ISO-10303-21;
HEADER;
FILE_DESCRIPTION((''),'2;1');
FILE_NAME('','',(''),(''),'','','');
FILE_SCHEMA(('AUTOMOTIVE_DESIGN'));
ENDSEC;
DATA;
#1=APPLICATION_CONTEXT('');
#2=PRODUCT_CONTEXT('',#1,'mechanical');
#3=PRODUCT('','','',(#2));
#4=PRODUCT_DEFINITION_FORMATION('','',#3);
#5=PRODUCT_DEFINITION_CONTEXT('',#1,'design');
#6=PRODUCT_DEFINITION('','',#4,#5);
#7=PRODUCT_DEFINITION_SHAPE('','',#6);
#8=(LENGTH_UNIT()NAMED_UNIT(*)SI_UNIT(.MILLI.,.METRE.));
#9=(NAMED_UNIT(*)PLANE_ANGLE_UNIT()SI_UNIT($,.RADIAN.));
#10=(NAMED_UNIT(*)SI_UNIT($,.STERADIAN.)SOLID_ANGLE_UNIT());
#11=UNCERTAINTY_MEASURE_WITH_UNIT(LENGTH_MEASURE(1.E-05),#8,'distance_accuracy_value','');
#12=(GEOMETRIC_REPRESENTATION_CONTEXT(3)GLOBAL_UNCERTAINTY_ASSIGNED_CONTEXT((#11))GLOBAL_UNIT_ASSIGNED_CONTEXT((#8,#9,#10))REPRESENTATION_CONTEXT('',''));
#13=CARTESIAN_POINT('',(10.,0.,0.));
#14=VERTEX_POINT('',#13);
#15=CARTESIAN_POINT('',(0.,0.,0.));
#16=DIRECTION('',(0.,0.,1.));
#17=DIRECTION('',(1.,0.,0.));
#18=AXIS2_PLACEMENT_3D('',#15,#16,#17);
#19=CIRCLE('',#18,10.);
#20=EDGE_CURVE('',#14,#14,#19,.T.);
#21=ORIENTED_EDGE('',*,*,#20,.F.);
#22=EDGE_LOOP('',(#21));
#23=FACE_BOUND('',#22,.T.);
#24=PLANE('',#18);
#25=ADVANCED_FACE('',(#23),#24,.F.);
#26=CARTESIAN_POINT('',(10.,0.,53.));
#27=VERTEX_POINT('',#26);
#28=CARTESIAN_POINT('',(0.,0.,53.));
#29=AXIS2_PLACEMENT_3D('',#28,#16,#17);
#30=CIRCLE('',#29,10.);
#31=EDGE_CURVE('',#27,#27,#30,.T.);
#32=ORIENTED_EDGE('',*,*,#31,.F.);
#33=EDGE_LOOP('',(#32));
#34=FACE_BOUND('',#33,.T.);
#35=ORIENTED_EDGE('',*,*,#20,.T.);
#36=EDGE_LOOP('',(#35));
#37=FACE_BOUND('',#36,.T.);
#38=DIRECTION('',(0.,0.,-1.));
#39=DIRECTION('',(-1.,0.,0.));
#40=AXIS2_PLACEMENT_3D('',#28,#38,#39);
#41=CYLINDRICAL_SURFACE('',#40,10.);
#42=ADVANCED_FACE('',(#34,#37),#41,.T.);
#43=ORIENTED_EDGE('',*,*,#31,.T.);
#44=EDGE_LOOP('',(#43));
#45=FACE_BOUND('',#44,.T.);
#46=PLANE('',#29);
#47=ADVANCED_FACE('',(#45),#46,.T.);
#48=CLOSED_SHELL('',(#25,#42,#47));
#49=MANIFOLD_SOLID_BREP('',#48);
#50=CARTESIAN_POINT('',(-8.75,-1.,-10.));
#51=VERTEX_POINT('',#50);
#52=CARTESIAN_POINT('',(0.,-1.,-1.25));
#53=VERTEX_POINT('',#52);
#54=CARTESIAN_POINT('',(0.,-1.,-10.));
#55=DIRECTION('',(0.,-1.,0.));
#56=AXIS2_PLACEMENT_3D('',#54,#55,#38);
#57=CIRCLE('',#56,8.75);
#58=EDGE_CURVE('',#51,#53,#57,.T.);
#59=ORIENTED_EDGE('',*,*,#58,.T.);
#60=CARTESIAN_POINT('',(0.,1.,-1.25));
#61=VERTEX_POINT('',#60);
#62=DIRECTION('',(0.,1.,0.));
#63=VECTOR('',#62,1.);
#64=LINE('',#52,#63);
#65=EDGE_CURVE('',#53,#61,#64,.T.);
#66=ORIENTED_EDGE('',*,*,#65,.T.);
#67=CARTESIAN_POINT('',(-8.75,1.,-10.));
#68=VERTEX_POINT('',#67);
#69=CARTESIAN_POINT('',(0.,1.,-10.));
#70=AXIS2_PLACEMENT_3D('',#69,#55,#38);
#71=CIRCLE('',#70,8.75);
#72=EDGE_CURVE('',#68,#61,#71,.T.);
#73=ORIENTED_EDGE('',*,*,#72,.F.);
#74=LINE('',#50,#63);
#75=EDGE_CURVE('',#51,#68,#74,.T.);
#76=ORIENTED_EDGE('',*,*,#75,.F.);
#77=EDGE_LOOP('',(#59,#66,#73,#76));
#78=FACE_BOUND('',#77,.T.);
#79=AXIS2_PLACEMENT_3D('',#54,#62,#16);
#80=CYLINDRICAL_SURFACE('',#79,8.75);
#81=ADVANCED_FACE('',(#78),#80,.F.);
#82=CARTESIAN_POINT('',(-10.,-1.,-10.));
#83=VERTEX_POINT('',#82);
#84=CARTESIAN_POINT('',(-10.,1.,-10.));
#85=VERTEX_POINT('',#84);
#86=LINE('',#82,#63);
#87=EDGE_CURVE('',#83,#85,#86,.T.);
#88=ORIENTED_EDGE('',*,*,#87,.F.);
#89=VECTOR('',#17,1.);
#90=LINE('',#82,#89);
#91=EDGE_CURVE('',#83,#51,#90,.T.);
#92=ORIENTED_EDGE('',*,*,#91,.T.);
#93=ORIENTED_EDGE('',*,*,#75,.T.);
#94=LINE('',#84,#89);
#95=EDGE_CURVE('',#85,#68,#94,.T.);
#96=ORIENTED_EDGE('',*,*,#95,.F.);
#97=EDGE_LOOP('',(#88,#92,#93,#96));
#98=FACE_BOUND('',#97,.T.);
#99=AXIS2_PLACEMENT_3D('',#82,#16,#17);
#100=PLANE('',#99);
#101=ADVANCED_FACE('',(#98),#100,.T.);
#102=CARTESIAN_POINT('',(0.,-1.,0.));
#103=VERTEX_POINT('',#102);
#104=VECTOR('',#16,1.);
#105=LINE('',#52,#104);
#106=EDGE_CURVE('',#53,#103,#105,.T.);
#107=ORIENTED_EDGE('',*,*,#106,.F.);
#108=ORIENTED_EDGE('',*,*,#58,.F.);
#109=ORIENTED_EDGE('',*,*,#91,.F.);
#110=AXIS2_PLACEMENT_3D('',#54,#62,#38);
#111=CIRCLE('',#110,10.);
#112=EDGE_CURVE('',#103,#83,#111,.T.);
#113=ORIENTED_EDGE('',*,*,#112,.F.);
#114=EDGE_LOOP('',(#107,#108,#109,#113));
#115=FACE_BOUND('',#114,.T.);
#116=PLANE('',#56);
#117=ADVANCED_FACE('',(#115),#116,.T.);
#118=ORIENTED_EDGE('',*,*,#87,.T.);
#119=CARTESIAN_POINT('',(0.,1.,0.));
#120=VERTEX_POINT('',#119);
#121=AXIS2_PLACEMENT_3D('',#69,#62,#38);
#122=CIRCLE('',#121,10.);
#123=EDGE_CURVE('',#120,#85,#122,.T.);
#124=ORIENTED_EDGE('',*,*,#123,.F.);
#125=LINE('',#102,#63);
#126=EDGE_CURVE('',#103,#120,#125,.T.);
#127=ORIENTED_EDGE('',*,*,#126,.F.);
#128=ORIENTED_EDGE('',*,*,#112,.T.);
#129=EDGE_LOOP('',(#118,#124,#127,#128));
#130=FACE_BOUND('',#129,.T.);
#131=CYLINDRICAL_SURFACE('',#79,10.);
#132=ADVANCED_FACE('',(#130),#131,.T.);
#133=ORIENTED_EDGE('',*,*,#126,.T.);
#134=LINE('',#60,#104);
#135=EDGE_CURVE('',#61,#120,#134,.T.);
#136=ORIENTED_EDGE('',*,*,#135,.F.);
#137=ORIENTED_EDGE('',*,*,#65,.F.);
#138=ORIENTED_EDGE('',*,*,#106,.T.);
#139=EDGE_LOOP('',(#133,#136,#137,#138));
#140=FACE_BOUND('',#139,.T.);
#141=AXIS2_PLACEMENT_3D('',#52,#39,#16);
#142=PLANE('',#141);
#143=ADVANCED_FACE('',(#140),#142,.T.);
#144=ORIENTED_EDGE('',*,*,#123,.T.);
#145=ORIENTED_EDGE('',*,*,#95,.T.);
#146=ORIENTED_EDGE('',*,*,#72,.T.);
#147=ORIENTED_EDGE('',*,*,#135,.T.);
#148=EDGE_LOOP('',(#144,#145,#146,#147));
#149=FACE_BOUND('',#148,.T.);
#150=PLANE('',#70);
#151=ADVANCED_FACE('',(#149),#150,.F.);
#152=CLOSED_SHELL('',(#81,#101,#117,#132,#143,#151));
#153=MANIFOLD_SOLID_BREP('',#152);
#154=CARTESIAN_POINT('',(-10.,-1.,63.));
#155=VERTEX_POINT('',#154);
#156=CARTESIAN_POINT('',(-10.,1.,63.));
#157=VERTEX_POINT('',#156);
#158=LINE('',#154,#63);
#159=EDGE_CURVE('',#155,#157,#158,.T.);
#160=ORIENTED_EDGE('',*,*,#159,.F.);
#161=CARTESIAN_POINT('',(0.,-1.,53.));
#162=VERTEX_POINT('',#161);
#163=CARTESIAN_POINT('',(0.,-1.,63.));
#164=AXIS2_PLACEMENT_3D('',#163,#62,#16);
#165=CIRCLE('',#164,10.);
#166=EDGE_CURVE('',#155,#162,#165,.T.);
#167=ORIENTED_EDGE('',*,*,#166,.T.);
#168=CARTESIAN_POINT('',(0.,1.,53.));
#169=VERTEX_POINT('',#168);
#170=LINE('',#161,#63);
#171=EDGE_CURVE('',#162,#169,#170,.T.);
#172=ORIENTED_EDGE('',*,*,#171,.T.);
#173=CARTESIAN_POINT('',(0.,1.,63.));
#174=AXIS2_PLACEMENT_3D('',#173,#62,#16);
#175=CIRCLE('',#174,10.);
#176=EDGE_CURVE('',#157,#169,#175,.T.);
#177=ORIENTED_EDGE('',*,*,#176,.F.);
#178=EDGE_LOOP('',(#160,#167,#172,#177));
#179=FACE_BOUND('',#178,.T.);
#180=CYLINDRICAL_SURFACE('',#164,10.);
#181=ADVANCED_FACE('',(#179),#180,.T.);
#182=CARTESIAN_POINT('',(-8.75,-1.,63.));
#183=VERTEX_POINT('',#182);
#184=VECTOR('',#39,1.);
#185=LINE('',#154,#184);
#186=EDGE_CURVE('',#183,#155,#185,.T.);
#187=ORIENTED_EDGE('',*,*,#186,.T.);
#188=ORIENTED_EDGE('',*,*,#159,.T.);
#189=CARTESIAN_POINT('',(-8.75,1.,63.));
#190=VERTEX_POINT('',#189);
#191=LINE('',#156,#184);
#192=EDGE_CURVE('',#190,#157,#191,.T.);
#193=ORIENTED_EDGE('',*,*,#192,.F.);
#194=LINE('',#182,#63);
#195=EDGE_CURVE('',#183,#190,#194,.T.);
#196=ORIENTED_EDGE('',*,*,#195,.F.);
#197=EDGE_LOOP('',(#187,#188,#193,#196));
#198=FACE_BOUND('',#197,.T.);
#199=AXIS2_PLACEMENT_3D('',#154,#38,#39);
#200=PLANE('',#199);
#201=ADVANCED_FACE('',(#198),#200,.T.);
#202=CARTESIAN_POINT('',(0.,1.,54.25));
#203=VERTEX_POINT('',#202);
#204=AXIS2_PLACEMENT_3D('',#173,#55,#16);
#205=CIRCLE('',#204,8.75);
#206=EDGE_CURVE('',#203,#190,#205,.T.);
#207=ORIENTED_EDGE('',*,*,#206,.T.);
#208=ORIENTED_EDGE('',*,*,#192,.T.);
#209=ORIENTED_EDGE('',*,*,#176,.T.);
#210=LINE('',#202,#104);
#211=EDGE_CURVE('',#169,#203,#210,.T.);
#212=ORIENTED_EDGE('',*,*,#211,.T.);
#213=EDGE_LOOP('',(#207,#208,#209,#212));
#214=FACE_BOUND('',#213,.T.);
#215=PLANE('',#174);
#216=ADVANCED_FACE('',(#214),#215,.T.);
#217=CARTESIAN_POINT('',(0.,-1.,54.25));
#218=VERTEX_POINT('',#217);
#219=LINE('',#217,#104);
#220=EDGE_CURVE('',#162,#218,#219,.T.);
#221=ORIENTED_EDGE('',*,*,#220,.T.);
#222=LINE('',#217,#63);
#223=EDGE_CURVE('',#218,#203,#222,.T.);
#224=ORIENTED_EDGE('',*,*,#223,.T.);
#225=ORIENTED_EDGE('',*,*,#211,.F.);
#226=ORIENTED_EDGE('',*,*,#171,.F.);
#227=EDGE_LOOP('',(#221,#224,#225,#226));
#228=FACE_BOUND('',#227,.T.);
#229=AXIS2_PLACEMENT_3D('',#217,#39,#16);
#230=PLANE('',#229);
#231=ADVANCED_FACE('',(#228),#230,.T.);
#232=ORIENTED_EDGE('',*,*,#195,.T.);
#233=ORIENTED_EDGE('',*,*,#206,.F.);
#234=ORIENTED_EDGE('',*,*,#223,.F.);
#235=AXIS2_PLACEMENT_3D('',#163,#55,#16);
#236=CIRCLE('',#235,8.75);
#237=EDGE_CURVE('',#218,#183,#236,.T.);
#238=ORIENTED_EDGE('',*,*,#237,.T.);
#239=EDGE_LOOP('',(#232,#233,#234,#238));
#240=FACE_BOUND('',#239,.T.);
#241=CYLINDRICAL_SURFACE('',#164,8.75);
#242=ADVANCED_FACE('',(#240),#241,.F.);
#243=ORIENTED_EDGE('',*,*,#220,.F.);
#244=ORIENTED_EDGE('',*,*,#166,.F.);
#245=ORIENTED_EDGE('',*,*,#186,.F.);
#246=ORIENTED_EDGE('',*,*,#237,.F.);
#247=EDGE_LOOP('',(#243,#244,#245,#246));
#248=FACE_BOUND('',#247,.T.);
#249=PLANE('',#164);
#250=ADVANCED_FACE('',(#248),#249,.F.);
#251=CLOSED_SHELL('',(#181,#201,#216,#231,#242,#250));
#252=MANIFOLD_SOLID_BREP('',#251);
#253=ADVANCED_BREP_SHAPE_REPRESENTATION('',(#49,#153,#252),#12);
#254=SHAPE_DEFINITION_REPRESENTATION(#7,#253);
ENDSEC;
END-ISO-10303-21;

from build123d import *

# Parameters (mm, degrees)
SKETCH_1_R             = 10
EXTRUDE_1_DEPTH        = 53
EXTRUDE_2_DEPTH        = 1
EXTRUDE_2_DEPTH_BACK   = 1
EXTRUDE_2_2_DEPTH      = 1
EXTRUDE_2_2_DEPTH_BACK = 1


with BuildPart() as part:
    # 草图1 → 凸台-拉伸1 (new body)
    with BuildSketch(Plane.XY):
        Circle(SKETCH_1_R)
    extrude(amount=EXTRUDE_1_DEPTH)


with BuildPart() as body_2:
    # 草图5 → 凸台-拉伸2 (new, two sides: drawn at the far end of the back side and taken through both)
    with BuildSketch(Plane(origin=(0, 0, 0), x_dir=(1, 0, 0), z_dir=(0, 1, 0)).offset(-EXTRUDE_2_DEPTH_BACK)):
        with BuildLine():
            Line((-10, -63), (-8.75, -63))
            ThreePointArc((-8.75, -63), (6.187184335, -69.187184335), (0, -54.25))
            Line((0, -54.25), (0, -53))
            ThreePointArc((0, -53), (7.071067812, -70.071067812), (-10, -63))
        make_face()
    extrude(amount=EXTRUDE_2_DEPTH + EXTRUDE_2_DEPTH_BACK)


with BuildPart() as body_3:
    # 草图5 → Extrude 2 2 (new, two sides: drawn at the far end of the back side and taken through both)
    with BuildSketch(Plane(origin=(0, 0, 0), x_dir=(1, 0, 0), z_dir=(0, 1, 0)).offset(-EXTRUDE_2_2_DEPTH_BACK)):
        with BuildLine():
            Line((0, 1.25), (0, 0))
            ThreePointArc((0, 0), (7.071067812, 17.071067812), (-10, 10))
            Line((-10, 10), (-8.75, 10))
            ThreePointArc((-8.75, 10), (6.187184335, 16.187184335), (0, 1.25))
        make_face()
    extrude(amount=EXTRUDE_2_2_DEPTH + EXTRUDE_2_2_DEPTH_BACK)


solid = Compound([part.part, body_2.part, body_3.part])
